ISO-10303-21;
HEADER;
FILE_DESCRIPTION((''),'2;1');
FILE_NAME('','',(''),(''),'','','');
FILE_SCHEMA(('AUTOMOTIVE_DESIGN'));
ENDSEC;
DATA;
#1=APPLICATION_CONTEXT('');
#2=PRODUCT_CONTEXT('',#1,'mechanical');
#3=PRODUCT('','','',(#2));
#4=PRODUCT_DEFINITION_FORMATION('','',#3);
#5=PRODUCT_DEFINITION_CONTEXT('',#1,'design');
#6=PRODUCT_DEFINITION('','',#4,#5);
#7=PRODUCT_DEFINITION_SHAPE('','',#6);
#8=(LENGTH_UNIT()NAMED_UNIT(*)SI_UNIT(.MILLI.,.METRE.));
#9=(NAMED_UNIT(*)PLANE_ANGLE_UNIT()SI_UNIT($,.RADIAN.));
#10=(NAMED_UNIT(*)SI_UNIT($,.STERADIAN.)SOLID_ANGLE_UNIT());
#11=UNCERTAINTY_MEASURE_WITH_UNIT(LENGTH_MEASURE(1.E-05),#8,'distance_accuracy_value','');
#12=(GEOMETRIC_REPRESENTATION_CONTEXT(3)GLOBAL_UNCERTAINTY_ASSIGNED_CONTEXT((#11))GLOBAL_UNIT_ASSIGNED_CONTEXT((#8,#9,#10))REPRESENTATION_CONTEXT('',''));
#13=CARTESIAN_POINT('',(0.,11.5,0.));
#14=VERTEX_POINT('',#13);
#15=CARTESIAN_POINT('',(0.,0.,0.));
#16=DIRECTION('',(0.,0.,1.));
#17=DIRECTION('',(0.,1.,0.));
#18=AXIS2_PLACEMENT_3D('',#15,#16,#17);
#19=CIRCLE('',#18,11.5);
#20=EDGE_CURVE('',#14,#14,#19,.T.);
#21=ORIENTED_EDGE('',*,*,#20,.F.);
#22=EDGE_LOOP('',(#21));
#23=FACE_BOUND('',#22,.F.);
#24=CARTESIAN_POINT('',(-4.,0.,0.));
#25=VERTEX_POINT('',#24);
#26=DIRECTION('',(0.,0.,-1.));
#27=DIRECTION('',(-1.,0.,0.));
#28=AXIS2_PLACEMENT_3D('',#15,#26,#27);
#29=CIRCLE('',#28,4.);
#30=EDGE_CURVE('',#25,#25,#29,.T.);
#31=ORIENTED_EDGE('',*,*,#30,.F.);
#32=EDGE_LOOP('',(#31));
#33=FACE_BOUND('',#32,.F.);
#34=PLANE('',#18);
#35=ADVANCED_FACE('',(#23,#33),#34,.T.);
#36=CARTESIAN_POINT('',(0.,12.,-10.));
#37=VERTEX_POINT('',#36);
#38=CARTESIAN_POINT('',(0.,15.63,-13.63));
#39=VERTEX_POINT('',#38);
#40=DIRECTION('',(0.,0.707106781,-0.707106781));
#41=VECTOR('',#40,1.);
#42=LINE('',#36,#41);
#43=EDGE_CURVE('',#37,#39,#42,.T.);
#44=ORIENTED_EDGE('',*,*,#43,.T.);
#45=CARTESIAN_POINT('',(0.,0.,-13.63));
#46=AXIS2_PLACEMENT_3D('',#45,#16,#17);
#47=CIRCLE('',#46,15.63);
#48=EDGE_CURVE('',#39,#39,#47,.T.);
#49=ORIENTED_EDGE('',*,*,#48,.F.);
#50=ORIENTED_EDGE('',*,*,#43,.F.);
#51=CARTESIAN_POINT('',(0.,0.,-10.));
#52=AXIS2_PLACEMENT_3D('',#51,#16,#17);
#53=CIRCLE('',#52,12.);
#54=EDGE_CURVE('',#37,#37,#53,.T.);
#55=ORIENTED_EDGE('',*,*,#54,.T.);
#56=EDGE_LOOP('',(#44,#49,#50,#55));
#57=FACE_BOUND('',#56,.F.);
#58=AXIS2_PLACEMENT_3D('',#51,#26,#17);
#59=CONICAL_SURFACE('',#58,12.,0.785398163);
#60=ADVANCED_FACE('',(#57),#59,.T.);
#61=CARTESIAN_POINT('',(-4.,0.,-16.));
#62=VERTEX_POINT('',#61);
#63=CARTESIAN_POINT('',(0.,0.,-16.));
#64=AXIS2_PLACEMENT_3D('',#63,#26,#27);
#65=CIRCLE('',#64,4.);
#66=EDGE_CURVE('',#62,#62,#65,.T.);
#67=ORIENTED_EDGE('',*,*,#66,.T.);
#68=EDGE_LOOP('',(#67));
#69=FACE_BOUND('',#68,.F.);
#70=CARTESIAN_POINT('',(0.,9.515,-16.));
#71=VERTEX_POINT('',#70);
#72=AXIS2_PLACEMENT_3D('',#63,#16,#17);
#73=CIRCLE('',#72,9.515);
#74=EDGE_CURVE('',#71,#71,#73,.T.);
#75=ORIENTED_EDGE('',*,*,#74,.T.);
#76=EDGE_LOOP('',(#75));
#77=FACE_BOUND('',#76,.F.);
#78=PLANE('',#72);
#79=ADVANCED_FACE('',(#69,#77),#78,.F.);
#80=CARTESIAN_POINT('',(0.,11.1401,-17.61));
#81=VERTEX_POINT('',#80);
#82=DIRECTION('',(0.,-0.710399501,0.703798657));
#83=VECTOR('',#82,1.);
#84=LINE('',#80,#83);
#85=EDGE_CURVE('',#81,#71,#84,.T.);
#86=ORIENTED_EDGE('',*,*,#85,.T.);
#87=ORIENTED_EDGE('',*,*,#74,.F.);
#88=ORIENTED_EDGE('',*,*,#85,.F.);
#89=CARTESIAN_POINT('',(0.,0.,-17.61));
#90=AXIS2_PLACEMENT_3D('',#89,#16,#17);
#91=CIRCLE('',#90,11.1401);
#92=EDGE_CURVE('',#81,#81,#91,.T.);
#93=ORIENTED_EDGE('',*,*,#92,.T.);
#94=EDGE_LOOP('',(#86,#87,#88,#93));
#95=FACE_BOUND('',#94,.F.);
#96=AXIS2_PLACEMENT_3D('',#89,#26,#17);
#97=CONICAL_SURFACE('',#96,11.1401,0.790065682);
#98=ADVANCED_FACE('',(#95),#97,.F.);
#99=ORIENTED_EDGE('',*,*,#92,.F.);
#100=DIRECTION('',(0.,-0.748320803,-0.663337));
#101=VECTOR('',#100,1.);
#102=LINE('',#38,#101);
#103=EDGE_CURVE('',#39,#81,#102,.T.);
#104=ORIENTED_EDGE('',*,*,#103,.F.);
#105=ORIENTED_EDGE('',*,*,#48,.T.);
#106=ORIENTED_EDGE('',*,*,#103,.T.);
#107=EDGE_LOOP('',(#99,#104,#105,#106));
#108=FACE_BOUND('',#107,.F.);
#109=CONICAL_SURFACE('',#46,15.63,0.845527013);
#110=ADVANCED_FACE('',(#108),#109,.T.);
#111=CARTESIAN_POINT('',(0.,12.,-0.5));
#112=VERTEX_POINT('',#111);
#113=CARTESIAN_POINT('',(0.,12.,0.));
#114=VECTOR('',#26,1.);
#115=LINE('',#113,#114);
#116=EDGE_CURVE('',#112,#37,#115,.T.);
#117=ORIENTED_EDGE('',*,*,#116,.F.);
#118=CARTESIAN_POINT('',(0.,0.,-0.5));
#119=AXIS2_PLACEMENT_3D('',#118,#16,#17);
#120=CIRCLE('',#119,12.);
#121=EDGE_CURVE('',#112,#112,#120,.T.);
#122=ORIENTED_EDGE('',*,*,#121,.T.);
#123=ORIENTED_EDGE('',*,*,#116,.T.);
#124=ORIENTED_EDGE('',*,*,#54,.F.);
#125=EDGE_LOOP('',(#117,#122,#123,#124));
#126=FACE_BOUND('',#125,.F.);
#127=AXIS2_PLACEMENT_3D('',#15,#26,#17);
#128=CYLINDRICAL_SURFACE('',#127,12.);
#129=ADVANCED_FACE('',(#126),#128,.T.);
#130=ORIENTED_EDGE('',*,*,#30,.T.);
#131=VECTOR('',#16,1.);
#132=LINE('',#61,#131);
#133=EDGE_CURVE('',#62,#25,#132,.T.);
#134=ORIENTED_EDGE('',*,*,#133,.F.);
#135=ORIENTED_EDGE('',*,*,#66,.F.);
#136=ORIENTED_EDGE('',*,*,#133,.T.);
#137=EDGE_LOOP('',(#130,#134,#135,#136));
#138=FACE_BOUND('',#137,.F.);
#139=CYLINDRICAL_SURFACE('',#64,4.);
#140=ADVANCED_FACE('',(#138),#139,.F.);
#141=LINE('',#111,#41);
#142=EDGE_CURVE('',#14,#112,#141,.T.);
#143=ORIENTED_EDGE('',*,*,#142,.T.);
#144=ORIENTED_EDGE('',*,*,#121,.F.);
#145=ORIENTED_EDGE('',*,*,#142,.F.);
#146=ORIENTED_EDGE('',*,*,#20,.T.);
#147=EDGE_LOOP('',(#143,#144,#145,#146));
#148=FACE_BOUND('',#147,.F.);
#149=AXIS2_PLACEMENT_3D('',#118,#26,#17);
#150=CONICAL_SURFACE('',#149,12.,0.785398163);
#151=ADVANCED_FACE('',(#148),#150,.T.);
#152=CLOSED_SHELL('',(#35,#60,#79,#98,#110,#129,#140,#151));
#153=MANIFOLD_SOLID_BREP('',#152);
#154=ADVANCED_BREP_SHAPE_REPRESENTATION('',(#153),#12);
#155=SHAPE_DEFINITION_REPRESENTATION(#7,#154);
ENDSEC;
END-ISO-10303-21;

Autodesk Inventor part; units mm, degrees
ref_plane "YZ Plane" through (0, 0, 0) normal (1, 0, 0) x (0, 1, 0)
ref_plane "XZ Plane" through (0, 0, 0) normal (0, 1, 0) x (-1, 0, 0)
ref_plane "XY Plane" through (0, 0, 0) normal (0, 0, 1) x (1, 0, 0)
sketch "Sketch1" plane through (0, 0, 0) normal (1, 0, 0) x (0, 1, 0)
  line L0 (0, 0) -> (12, 0)
  line L1 (12, 0) -> (12, -10)
  line L2 (12, -10) -> (15.63, -13.63)
  line L3 (15.63, -13.63) -> (11.1401, -17.61)
  line L4 (11.1401, -17.61) -> (9.515, -16)
  line L5 (9.515, -16) -> (0, -16)
  line L6 (0, -16) -> (0, 0)
  dimension "d0" = 12
  dimension "d1" = 10
  dimension "d2" = 15.63
  dimension "d3" = 13.63
  dimension "d4" = 17.61
  dimension "d5" = 6
  dimension "d6" = 9.515
  dimension "d7" = 16
revolve "Revolution1" add sketch "Sketch1" angle 360 about axis through (0, 0, -16) along (0, 0, 1)
chamfer "Chamfer1" distance 0.5 angle 45 1 edges at (0, -12, 0)
sketch "Sketch2" plane through (0, 0, -16) normal (0, 0, -1) x (-1, 0, 0)
  circle A0 centre (0, 0) radius 4
  dimension "d12" = 8
extrude "Extrusion1" cut sketch "Sketch2" against normal up to next
equation "\"d0\" = 0.5 * Be"
equation "\"d1\" = He"
equation "\"d2\" = 0.5 * De"
equation "\"d3\" = Ge"
equation "\"d4\" = Fe"
equation "\"d5\" = Je"
equation "\"d6\" = 0.5 * Ke"
equation "\"d7\" = Le"
equation "\"d12\" = Ae"
equation "\"Ae\" = 8"
equation "\"Be\" = 24"
equation "\"De\" = 31.26"
equation "\"Ee\" = 28"
equation "\"Fe\" = 17.61"
equation "\"Ge\" = 13.63"
equation "\"He\" = 10"
equation "\"Je\" = 6"
equation "\"Ke\" = 19.03"
equation "\"Le\" = 16"
properties part number "Engrenage_spiro_conique"
